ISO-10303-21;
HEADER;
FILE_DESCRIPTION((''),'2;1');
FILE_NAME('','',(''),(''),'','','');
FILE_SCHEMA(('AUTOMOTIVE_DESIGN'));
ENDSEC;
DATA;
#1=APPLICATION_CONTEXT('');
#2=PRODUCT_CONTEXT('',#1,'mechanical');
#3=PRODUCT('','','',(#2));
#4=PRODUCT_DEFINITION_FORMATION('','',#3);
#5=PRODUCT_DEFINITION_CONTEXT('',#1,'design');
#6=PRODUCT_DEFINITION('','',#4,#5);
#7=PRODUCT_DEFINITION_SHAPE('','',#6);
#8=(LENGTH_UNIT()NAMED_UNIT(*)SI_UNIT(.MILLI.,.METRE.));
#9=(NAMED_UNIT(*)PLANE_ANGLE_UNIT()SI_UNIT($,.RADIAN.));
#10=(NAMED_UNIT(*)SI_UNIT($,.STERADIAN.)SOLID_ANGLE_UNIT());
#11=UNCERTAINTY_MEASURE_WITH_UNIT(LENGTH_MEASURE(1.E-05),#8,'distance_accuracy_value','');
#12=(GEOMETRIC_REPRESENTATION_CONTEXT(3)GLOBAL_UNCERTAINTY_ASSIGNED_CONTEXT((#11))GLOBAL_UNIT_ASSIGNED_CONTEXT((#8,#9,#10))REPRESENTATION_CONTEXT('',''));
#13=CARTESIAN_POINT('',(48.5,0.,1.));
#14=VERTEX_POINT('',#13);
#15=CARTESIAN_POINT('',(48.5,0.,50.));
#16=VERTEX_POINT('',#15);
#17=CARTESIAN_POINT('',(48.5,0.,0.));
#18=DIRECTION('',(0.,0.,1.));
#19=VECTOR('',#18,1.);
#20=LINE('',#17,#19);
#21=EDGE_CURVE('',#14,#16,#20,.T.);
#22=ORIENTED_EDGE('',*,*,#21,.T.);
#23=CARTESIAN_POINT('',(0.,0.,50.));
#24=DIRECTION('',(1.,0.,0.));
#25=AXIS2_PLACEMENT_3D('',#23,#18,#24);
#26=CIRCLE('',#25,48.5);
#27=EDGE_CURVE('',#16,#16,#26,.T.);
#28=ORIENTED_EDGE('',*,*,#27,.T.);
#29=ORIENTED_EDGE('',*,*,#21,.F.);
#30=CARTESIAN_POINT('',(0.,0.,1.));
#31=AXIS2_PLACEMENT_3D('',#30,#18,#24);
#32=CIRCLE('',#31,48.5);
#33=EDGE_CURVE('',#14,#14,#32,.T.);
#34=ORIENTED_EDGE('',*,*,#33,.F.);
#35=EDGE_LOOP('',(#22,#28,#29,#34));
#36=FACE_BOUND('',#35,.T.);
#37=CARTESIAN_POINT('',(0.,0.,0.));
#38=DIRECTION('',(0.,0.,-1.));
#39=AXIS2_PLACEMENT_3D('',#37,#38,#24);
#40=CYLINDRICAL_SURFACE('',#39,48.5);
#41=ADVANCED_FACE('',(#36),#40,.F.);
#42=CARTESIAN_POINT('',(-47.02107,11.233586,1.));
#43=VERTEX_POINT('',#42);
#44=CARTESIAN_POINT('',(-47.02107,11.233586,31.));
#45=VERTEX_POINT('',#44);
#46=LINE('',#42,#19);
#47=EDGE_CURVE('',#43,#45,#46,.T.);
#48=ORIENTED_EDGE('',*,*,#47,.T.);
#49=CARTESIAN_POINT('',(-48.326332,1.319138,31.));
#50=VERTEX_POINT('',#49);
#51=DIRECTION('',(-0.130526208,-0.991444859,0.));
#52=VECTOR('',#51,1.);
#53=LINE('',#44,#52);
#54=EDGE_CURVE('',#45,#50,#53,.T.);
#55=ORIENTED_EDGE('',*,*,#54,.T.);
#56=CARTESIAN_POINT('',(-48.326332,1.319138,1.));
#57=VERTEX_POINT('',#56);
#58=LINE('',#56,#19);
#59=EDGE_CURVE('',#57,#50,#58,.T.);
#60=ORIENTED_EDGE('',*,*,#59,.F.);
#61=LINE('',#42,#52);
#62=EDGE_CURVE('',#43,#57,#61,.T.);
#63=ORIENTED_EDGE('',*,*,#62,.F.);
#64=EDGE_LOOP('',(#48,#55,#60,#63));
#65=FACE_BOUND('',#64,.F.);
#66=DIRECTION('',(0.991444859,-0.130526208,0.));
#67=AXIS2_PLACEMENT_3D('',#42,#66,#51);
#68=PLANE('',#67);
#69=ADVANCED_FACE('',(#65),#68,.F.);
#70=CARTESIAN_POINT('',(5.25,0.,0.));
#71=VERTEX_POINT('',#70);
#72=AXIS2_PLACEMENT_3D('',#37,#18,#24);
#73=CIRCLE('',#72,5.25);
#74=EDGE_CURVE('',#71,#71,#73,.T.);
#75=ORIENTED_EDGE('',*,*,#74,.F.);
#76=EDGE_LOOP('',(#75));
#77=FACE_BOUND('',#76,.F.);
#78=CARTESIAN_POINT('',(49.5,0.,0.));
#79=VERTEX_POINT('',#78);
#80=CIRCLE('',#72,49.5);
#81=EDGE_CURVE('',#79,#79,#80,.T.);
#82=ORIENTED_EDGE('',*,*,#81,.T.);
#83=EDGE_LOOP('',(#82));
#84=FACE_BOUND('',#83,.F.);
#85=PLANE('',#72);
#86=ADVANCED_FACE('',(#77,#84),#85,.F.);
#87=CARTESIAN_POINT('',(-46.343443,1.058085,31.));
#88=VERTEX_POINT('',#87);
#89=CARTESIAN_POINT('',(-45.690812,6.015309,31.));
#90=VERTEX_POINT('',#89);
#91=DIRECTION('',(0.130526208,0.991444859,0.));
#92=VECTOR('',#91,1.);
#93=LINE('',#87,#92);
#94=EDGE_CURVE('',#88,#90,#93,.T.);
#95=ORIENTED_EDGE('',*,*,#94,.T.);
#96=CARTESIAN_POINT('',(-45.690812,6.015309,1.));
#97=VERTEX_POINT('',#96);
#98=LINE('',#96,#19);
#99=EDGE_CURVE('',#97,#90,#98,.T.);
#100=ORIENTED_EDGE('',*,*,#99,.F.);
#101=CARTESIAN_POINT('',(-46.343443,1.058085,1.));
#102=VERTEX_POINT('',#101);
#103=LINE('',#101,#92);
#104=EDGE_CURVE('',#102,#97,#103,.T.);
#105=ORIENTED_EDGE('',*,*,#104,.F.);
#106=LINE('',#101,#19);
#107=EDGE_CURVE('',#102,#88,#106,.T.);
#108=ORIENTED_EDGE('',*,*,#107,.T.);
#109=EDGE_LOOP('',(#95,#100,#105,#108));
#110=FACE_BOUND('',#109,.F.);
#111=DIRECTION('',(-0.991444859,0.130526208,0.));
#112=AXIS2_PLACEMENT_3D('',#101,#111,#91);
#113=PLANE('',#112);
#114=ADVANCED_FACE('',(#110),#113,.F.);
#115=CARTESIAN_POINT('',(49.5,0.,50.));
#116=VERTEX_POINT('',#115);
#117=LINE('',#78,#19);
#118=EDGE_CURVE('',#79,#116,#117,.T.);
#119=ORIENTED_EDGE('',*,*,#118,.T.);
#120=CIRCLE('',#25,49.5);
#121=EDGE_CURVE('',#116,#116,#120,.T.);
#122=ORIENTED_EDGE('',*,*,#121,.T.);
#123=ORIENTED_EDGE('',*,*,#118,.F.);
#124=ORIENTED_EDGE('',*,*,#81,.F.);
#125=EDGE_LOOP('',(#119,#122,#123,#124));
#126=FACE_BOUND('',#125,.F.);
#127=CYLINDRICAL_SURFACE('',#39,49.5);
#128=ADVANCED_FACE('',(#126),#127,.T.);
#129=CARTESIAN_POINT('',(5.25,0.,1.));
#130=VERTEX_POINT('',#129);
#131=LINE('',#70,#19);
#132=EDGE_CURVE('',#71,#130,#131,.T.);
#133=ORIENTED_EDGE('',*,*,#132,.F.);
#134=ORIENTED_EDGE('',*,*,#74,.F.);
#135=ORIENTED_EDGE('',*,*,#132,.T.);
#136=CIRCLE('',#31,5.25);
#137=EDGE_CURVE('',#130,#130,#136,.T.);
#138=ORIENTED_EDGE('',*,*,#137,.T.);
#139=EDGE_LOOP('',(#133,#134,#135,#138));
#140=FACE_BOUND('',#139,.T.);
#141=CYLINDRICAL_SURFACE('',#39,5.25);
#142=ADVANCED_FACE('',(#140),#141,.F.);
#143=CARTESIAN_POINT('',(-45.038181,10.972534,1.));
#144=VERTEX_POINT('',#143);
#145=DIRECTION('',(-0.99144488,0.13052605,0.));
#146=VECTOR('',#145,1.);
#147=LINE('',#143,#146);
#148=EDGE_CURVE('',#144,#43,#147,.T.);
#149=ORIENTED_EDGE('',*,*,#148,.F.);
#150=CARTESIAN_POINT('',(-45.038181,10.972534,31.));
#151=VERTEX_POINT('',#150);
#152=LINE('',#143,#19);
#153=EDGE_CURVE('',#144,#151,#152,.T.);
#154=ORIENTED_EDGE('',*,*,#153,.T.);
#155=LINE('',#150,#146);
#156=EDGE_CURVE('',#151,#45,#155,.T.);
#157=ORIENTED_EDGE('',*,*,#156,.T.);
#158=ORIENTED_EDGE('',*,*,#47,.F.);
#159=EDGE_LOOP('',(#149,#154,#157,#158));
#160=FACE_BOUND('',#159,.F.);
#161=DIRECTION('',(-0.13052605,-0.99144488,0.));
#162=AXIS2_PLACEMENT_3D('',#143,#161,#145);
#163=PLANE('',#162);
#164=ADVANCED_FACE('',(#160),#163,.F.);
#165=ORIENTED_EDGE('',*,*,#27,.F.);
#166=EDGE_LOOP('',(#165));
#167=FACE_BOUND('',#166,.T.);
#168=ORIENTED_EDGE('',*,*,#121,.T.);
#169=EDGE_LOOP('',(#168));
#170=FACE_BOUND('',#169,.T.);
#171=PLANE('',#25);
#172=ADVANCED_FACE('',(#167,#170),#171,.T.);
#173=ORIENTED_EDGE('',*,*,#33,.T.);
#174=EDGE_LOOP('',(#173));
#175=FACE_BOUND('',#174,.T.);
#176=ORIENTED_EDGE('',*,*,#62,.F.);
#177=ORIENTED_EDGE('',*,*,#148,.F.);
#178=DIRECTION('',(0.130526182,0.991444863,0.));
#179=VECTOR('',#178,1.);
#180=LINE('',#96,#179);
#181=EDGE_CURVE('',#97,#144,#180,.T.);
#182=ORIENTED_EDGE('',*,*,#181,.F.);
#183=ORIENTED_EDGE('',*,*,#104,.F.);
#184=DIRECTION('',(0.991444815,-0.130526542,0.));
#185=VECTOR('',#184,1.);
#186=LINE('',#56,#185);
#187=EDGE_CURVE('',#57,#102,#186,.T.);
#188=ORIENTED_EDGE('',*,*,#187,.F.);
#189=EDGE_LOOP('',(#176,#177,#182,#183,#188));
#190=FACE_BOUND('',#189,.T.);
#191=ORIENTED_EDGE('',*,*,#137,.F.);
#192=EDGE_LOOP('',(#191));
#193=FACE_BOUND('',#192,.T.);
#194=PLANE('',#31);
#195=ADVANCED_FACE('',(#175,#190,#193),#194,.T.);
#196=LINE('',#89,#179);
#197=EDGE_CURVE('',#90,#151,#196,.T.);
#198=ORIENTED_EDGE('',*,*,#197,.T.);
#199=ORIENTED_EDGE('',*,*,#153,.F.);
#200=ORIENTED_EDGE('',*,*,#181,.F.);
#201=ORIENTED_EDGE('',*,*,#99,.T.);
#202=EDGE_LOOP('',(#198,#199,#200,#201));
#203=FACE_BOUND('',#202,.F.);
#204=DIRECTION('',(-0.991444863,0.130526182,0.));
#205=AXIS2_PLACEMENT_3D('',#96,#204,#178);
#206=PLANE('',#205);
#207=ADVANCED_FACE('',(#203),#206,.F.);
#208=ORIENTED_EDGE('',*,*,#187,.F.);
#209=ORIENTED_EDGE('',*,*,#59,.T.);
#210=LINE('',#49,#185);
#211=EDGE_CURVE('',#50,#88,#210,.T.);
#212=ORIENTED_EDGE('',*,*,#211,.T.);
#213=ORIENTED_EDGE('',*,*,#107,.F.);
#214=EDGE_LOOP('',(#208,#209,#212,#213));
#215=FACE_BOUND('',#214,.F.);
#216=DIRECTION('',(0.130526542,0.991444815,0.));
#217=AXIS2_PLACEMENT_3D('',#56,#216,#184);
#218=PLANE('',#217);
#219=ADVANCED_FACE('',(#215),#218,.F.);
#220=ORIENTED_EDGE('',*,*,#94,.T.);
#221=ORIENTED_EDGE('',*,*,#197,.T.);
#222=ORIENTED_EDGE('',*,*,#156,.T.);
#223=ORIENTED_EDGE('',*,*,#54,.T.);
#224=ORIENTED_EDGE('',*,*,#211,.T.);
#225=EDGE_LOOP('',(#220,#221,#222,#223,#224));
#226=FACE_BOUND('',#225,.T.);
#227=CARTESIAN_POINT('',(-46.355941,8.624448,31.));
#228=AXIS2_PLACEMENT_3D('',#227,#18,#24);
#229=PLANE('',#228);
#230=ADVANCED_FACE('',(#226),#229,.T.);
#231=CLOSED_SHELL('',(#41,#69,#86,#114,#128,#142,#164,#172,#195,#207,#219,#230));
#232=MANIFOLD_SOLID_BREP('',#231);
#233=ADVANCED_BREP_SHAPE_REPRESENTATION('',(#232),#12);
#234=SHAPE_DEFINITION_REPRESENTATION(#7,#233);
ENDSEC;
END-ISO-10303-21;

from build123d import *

# Parameters (mm, degrees)
F0_R     = 49.5
F0_R_2   = 48.5
F1_DEPTH = 50
F0_R_3   = 5.25
F2_DEPTH = 1
F4_DEPTH = 30


with BuildPart() as f1:
    # F0 (on Top) → F1 (new body)
    with BuildSketch(Plane.XY):
        Circle(F0_R)
        Circle(F0_R_2, mode=Mode.SUBTRACT)
    extrude(amount=F1_DEPTH)

    # F0 (on Top) → F2 (join)
    with BuildSketch(Plane.XY):
        Circle(F0_R_2)
        Circle(F0_R_3, mode=Mode.SUBTRACT)
    extrude(amount=F2_DEPTH)

    # F3 (on face) → F4 (join)
    with BuildSketch(Plane.XY.offset(1)):
        Polygon((-47.02107, 11.233586), (-47.673701, 6.276362), (-45.690812, 6.015309), (-45.038181, 10.972534), align=None)
        Polygon((-47.673701, 6.276362), (-48.326332, 1.319138), (-46.343443, 1.058085), (-45.690812, 6.015309), align=None)
    extrude(amount=F4_DEPTH)


solid = f1.part
